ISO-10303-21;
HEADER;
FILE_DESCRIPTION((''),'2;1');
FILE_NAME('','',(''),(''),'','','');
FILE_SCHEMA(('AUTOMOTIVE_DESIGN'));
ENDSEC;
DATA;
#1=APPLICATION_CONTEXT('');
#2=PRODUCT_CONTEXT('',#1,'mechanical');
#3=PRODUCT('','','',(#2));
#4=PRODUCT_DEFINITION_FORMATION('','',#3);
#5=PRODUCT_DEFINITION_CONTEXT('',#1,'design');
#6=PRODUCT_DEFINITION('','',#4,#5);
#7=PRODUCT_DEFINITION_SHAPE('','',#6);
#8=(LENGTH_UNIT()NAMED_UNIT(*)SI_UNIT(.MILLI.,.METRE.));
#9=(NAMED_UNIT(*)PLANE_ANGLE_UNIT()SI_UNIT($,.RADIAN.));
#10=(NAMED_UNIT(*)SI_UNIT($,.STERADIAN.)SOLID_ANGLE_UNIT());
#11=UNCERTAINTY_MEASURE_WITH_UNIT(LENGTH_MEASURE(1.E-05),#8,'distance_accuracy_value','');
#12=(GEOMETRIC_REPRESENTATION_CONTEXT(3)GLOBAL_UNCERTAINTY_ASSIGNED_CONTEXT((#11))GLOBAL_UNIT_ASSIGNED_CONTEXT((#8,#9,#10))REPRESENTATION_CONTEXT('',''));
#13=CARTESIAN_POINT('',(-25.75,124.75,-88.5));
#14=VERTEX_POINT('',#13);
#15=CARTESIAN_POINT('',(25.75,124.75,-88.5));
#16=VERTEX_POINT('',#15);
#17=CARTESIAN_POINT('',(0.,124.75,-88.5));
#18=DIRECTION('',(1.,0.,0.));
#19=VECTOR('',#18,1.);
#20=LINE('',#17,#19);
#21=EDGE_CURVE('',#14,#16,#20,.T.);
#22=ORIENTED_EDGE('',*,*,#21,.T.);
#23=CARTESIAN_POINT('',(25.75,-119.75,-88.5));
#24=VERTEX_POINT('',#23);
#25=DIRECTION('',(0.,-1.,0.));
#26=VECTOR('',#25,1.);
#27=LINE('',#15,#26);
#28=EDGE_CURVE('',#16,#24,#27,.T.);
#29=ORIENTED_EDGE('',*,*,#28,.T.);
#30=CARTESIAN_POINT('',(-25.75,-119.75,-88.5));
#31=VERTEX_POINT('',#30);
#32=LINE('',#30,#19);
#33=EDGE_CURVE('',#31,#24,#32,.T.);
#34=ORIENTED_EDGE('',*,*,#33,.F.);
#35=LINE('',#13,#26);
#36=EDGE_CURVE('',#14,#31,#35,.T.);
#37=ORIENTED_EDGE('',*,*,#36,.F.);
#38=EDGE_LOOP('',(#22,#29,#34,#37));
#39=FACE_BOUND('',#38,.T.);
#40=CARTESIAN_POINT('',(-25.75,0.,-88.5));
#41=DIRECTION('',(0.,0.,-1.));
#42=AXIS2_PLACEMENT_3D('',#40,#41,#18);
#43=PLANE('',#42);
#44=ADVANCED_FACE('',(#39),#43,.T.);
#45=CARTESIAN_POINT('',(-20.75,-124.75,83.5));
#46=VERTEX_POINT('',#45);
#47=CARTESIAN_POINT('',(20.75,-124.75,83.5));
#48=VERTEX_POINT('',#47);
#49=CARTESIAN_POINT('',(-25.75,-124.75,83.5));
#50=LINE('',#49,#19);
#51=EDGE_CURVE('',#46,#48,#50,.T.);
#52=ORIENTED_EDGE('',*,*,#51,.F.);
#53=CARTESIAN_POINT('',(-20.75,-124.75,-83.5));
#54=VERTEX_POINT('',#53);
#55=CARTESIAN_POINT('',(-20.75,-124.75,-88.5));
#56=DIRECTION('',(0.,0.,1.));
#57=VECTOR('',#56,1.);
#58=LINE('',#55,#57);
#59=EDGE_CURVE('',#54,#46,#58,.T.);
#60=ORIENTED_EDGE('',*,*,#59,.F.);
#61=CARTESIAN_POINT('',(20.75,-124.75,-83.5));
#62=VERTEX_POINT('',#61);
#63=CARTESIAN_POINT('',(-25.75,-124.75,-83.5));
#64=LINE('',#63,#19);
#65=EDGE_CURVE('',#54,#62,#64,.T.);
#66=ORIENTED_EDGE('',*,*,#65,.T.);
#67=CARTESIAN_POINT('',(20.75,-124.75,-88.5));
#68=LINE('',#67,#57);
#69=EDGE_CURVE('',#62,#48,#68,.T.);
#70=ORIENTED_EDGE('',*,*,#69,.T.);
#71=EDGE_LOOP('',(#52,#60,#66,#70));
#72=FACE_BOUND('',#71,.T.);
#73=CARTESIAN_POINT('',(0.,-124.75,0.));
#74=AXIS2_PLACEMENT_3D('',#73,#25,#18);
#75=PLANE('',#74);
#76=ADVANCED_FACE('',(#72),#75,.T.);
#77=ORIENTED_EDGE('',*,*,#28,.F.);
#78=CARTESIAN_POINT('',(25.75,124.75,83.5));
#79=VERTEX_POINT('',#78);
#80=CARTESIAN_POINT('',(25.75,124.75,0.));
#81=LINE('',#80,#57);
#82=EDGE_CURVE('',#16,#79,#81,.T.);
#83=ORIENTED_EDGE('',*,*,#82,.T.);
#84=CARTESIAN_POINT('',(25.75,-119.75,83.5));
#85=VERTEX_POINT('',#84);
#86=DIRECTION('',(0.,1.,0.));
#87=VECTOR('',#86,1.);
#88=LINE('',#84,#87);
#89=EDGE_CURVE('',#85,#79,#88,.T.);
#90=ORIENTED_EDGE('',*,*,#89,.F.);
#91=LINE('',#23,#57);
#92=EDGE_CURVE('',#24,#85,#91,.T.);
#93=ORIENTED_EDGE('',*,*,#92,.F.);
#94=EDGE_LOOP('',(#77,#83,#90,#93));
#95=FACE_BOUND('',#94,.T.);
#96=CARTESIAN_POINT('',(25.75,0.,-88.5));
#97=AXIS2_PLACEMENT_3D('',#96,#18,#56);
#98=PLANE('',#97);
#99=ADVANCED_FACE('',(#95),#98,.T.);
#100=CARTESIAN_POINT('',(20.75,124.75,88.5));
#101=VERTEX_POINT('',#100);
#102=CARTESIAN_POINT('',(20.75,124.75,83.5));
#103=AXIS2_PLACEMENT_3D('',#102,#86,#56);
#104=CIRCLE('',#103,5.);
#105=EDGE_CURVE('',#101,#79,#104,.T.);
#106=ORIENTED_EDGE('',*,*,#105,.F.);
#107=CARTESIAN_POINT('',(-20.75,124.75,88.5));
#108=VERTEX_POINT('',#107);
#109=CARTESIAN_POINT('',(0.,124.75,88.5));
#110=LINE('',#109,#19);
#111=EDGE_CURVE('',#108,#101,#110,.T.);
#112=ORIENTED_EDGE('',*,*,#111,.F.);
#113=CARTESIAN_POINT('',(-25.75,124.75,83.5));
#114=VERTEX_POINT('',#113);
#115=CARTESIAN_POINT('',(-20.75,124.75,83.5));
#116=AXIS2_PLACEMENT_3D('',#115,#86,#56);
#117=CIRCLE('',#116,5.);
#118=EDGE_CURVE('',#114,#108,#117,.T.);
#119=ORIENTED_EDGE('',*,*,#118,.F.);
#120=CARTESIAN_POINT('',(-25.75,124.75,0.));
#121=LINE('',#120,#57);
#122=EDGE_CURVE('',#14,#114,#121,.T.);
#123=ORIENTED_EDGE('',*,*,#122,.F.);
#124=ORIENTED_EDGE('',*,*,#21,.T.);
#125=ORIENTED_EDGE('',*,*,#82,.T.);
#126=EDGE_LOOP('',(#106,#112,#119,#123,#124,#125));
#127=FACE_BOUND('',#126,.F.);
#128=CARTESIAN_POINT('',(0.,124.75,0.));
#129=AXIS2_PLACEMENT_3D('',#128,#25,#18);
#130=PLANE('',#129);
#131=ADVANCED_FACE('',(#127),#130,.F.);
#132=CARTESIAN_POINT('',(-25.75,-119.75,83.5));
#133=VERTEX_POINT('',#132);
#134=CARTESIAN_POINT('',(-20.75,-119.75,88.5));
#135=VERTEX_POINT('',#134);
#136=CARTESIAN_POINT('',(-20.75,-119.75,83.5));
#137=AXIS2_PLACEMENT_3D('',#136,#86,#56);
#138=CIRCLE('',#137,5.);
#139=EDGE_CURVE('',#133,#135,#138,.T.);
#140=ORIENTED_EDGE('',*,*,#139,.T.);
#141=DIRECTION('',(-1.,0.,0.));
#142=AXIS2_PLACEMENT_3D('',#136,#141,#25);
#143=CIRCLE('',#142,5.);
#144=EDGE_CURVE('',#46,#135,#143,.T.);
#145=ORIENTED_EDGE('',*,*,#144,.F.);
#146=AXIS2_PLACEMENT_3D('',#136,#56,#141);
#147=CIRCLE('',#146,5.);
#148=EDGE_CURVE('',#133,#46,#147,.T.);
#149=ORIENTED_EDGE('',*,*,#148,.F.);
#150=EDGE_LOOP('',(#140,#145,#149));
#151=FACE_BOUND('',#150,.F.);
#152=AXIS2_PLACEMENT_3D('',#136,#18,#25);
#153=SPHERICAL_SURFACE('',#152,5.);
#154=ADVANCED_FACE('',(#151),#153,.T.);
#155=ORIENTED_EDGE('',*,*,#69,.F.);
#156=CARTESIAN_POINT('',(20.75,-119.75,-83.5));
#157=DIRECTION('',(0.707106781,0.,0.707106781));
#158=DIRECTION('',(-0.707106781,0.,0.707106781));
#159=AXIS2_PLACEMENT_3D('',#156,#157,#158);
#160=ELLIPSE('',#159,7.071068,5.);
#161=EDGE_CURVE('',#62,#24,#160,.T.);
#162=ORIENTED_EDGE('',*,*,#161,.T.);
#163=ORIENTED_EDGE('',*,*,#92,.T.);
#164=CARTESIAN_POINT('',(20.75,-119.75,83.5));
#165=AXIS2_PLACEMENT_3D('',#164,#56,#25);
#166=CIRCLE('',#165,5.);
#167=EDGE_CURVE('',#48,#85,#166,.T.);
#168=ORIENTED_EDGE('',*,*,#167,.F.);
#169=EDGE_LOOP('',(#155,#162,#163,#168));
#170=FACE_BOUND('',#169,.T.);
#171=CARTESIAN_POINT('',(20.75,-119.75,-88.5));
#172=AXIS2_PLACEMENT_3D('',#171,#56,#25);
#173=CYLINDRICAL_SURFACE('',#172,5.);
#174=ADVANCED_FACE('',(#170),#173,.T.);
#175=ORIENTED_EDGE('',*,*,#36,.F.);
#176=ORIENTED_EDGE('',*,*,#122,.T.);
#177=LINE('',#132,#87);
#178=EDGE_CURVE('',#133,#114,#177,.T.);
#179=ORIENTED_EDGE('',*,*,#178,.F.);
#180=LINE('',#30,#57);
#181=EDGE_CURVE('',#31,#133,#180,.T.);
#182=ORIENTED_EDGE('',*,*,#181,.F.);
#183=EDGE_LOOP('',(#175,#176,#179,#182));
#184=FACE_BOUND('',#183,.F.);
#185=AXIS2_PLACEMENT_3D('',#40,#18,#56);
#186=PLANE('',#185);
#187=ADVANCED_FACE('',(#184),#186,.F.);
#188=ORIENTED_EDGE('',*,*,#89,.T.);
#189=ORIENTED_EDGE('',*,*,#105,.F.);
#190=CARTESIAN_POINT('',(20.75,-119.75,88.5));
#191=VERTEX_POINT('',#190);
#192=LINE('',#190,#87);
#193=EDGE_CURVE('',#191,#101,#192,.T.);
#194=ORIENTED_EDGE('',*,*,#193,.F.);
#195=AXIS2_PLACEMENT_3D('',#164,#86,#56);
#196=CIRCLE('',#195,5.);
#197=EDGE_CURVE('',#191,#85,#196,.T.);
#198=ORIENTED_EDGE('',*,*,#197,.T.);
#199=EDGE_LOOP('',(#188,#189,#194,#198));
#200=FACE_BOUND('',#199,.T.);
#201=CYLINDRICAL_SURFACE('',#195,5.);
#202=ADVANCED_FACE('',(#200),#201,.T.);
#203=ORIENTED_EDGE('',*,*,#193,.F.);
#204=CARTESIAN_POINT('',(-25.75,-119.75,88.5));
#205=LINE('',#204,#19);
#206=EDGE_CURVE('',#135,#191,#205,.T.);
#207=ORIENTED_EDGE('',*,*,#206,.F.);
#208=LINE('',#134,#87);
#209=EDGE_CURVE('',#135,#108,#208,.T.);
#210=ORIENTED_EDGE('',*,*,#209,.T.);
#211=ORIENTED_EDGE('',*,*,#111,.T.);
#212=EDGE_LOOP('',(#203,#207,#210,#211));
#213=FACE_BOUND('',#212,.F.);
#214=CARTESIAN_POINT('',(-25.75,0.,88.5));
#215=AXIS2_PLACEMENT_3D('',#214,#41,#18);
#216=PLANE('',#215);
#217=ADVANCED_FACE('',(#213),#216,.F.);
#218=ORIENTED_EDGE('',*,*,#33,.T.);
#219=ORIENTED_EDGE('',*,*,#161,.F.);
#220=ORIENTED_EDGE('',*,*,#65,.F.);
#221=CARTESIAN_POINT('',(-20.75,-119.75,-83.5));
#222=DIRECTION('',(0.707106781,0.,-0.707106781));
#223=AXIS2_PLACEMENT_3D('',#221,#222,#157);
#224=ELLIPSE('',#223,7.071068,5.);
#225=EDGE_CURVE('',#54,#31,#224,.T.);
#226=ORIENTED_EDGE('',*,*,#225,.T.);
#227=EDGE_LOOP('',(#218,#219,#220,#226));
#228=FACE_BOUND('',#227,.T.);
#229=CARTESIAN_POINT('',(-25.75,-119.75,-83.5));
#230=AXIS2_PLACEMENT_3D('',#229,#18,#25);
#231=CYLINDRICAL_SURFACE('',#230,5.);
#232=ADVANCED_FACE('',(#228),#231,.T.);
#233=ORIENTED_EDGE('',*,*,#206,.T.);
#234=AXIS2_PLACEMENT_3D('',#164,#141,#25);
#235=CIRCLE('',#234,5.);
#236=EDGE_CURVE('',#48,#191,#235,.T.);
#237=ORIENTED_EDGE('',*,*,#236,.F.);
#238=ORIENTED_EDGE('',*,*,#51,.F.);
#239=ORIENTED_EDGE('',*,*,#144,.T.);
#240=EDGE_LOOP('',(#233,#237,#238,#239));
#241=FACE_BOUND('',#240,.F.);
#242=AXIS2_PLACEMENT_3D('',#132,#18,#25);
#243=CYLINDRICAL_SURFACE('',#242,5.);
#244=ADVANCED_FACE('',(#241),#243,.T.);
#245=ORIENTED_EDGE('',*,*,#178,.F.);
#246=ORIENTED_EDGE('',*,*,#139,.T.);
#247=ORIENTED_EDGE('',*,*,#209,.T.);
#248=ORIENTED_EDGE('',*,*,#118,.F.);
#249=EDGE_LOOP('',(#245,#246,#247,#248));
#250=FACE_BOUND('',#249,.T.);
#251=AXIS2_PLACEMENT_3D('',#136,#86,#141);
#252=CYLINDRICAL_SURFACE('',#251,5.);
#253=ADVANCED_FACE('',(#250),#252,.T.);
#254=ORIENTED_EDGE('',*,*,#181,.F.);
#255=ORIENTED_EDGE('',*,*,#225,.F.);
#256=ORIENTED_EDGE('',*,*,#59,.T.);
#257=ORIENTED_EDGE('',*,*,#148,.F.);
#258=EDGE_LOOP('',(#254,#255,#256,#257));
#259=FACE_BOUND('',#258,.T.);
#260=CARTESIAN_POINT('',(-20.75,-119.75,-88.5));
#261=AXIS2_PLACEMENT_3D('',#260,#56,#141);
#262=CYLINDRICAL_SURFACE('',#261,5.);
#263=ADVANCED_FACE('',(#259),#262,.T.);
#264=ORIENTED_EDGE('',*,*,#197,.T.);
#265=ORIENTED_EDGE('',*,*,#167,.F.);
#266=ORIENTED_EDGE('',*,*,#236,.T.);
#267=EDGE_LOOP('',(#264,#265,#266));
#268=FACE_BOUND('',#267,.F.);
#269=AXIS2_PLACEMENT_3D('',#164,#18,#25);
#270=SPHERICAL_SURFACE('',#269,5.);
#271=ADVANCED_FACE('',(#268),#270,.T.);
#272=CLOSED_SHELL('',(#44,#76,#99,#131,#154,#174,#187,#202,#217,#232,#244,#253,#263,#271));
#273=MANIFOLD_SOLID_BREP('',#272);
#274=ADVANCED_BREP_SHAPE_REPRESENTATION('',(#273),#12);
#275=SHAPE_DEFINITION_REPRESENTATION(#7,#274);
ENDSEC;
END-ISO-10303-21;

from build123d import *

# Parameters (mm, degrees)
F0_W     = 51.5
F0_H     = 177
F1_DEPTH = 124.75
F2_R     = 5
F3_R     = 5
F4_DEPTH = 25
F5_DEPTH = 40.6


with BuildPart() as f1:
    # F0 (on Front) → F1 (new body, symmetric)
    with BuildSketch(Plane.XZ):
        Rectangle(F0_W, F0_H)
    extrude(amount=F1_DEPTH, both=True)

    # F2
    f2_edges = [f1.edges().sort_by_distance(p)[0] for p in [
        (0, -124.75, 88.5),
    ]]
    fillet(f2_edges, radius=F2_R)

    # F3
    f3_edges = [f1.edges().sort_by_distance(p)[0] for p in [
        (25.75, -124.75, -2.5),
        (0, -124.75, 83.5),
        (0, -124.75, -88.5),
        (-25.75, -124.75, -2.5),
    ]]
    fillet(f3_edges, radius=F3_R)

    # F4 (add): a face of the model
    f4_faces = [f1.faces().sort_by_distance(p)[0] for p in [
        (0, -124.75, 0),
    ]]
    extrude(f4_faces, amount=-F4_DEPTH)

    # F5 (add): a face of the model
    f5_faces = [f1.faces().sort_by_distance(p)[0] for p in [
        (0, -124.75, 0),
    ]]
    extrude(f5_faces, amount=-F5_DEPTH)


solid = f1.part
